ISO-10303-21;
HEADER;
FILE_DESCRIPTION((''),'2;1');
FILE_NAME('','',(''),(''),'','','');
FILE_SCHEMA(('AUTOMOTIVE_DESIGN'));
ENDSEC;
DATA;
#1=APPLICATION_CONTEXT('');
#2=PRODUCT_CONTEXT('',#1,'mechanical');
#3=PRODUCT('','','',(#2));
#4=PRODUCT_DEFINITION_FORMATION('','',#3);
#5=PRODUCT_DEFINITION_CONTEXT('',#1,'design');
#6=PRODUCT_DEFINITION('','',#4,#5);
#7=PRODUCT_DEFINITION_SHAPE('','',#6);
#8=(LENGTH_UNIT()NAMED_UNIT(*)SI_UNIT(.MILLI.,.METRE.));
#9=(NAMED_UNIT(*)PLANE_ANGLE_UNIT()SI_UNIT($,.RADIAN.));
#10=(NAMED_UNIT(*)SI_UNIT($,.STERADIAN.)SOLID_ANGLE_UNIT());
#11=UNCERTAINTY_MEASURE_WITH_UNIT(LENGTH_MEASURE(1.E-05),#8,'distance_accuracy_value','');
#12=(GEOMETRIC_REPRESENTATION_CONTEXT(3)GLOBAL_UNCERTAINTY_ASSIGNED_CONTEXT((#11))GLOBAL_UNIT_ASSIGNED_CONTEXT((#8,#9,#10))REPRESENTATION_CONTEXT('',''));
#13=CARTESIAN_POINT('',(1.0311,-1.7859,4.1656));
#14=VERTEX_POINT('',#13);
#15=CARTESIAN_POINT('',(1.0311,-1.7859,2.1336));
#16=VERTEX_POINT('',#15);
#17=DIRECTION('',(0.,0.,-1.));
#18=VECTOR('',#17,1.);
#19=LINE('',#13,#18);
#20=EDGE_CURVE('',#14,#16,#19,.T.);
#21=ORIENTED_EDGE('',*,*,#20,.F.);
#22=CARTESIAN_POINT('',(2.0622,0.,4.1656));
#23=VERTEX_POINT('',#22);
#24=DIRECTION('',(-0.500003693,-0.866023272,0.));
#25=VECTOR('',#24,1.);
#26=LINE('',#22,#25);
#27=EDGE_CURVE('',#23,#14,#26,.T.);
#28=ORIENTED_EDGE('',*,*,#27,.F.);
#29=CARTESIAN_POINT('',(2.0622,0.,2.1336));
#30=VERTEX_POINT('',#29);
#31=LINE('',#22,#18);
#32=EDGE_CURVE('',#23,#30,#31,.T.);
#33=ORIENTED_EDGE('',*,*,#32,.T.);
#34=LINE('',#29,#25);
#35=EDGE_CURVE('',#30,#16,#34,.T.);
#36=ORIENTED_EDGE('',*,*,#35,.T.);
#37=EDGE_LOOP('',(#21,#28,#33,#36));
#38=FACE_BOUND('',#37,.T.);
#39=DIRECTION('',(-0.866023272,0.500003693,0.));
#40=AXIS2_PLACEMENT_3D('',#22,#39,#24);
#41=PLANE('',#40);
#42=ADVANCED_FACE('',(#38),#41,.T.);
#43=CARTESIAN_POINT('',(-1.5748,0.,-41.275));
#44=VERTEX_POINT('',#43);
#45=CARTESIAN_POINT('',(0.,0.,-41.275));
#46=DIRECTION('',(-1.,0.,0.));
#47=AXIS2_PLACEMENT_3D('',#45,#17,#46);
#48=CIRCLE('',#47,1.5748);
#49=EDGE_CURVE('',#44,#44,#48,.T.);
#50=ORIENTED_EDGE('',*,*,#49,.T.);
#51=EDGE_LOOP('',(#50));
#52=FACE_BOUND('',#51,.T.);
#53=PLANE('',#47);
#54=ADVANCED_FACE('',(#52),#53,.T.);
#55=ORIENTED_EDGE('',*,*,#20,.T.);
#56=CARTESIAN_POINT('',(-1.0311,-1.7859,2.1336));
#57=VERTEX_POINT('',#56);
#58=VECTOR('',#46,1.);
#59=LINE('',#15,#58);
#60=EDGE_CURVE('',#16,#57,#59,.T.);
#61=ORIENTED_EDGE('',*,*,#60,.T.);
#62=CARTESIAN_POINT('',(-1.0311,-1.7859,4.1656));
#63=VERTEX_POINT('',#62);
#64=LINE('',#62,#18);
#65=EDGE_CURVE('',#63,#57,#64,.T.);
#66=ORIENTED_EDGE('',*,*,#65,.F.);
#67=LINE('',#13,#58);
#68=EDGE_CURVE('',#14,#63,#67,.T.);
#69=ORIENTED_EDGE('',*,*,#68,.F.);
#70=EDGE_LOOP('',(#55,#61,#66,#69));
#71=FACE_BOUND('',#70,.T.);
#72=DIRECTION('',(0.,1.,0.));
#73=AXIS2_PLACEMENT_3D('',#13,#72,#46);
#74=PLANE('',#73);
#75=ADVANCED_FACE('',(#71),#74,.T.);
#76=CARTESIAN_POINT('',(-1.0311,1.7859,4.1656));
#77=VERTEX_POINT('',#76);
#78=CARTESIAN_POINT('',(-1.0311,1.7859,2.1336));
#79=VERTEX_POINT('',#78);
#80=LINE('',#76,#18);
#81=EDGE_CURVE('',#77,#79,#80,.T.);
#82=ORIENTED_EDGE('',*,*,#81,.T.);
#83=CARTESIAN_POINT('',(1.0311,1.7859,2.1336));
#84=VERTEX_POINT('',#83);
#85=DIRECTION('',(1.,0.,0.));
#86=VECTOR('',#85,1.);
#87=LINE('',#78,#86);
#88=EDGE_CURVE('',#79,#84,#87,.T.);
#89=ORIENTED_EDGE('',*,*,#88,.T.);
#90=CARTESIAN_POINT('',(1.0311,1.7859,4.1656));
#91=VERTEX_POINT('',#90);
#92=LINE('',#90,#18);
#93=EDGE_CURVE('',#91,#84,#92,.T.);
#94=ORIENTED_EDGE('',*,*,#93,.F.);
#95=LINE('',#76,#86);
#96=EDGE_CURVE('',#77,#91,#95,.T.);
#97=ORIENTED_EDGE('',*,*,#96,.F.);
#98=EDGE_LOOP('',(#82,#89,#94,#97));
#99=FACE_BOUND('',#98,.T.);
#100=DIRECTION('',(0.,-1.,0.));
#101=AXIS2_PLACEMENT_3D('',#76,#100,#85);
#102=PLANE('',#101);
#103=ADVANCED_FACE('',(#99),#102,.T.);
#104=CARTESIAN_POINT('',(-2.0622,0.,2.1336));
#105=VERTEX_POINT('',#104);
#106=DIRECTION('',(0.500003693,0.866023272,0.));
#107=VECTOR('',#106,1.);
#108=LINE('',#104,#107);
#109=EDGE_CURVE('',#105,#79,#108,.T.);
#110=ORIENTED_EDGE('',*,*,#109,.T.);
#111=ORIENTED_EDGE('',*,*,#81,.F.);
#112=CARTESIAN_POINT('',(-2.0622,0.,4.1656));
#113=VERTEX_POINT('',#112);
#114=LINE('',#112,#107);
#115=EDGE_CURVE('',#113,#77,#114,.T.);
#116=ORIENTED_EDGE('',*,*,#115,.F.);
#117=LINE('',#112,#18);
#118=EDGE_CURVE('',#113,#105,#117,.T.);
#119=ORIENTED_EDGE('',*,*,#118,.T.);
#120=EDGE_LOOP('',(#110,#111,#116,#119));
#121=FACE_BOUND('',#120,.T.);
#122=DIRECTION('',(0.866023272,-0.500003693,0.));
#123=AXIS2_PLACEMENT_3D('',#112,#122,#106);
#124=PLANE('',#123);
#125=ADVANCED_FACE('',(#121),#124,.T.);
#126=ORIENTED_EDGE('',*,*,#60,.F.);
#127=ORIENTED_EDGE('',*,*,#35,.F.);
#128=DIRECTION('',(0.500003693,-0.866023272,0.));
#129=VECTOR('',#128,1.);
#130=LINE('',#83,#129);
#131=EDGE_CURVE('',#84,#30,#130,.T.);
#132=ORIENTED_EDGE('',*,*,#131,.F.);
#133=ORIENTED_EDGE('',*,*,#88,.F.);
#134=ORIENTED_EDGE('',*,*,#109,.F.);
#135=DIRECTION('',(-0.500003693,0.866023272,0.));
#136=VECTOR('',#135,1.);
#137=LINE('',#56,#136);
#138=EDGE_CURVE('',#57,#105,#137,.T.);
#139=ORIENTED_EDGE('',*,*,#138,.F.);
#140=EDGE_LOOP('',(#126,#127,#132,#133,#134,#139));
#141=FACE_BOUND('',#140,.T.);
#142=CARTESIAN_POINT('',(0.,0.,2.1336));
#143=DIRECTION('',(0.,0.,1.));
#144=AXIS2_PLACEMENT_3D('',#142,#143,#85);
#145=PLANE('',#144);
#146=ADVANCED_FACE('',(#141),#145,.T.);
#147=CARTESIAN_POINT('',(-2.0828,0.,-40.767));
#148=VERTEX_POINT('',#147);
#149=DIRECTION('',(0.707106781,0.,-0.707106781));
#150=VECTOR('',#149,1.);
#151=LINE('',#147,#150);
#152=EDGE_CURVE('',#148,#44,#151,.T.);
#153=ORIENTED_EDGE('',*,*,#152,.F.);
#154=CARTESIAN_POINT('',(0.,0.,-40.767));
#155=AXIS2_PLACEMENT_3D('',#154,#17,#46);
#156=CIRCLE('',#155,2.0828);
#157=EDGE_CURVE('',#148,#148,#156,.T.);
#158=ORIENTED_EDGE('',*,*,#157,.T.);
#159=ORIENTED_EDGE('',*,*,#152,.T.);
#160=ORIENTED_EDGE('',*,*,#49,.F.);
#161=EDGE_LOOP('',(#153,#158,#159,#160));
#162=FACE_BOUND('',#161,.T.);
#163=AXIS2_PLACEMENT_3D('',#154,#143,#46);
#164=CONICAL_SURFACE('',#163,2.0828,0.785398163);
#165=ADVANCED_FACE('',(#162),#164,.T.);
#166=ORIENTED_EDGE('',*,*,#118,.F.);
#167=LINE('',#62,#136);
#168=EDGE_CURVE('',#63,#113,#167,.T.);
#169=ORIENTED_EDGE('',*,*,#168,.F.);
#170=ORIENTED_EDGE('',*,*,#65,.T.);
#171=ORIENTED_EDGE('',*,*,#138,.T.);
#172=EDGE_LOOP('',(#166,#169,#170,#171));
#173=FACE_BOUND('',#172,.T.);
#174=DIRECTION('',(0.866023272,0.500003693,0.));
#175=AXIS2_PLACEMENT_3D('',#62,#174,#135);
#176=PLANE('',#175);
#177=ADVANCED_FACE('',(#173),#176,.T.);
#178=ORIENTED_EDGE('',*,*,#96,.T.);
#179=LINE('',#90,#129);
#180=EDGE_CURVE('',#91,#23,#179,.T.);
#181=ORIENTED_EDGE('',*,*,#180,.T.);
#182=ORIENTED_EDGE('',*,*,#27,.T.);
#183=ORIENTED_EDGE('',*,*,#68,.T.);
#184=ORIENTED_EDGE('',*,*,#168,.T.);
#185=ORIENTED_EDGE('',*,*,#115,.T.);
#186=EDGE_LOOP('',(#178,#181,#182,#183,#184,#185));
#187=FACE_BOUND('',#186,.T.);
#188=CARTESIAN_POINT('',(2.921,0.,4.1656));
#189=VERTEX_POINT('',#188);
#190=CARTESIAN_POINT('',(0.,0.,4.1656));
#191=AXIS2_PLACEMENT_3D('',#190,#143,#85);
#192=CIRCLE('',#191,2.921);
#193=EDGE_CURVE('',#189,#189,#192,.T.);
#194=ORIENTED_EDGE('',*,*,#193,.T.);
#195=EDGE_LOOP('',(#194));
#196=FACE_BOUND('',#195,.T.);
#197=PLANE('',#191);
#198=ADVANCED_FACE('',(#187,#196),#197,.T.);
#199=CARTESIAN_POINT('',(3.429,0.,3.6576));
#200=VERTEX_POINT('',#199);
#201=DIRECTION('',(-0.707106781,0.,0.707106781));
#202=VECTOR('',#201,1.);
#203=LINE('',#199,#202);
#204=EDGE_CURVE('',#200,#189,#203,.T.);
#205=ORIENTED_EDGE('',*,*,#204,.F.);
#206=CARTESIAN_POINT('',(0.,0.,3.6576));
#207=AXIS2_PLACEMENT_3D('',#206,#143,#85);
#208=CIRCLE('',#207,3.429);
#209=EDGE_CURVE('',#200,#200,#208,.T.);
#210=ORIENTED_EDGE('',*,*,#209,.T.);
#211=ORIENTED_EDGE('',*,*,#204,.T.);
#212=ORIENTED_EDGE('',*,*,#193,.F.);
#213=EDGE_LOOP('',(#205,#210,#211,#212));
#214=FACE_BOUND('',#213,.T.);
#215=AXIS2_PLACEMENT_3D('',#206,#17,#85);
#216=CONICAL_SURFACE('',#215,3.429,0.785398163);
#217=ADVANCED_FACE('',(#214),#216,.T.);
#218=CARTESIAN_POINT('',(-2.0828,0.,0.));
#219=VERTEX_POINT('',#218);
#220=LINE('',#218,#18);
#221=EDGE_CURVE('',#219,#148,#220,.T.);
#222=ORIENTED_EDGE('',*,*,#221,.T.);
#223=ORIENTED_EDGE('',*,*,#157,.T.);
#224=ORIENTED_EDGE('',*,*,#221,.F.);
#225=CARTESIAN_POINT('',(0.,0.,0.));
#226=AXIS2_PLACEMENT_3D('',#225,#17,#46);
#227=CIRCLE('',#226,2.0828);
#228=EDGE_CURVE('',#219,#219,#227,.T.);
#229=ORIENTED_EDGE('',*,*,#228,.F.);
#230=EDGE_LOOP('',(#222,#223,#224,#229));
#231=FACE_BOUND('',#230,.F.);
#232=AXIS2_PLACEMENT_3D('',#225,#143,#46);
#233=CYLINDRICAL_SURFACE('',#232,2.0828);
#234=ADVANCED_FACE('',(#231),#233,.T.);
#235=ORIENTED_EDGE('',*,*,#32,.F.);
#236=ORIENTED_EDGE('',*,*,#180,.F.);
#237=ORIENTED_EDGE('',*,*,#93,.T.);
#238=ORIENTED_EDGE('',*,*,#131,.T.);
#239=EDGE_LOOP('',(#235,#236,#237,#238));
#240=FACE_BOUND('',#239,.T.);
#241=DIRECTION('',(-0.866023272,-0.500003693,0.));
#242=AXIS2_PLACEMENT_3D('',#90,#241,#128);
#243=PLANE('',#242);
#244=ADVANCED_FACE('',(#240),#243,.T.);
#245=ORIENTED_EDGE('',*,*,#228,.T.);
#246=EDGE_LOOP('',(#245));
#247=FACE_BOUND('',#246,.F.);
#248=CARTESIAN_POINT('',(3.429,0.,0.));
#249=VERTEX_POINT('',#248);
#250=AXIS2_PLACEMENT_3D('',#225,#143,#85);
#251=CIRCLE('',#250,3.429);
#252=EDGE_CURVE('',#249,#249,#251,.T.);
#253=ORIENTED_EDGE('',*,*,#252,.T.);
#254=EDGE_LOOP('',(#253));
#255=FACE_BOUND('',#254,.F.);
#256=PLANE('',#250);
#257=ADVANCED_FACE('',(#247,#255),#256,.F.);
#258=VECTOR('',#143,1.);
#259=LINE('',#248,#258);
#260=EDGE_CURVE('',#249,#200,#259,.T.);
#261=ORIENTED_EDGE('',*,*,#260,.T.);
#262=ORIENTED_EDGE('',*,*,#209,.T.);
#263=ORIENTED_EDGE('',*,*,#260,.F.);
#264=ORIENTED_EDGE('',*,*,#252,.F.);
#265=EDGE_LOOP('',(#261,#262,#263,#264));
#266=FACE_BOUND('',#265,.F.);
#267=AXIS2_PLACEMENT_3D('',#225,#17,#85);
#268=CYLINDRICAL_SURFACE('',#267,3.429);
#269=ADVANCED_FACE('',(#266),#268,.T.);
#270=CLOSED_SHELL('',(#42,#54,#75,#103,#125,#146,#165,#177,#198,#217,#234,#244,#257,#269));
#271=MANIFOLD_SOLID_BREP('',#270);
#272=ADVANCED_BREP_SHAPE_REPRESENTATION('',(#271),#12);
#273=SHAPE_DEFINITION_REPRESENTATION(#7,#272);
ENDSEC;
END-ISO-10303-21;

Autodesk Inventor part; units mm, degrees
ref_plane "YZ Plane" through (0, 0, 0) normal (1, 0, 0) x (0, 1, 0)
ref_plane "XZ Plane" through (0, 0, 0) normal (0, 1, 0) x (-1, 0, 0)
ref_plane "XY Plane" through (0, 0, 0) normal (0, 0, 1) x (1, 0, 0)
sketch "Sketch1" plane through (0, 0, 0) normal (0, 0, 1) x (1, 0, 0)
  circle A0 centre (0, 0) radius 3.429
  dimension "d0" = 6.858
extrude "Extrusion1" add sketch "Sketch1" along normal blind 4.1656
sketch "Sketch2" plane through (0, 0, 0) normal (0, 0, -1) x (-1, 0, 0)
  circle A0 centre (0, 0) radius 3.429 projected
  circle A1 centre (0, 0) radius 2.0828
  dimension "d3" = 4.1656
extrude "Extrusion2" add sketch "Sketch2" along normal blind 41.275 contours A1
sketch "Sketch3" plane through (0, 0, 4.1656) normal (0, 0, 1) x (1, 0, 0)
  circle A0 centre (0, 0) radius 3.429 projected
  line L0 (-1.0311, 1.7859) -> (1.0311, 1.7859)
  line L1 (1.0311, 1.7859) -> (2.0622, 0)
  line L2 (2.0622, 0) -> (1.0311, -1.7859)
  line L3 (1.0311, -1.7859) -> (-1.0311, -1.7859)
  line L4 (-1.0311, -1.7859) -> (-2.0622, 0)
  line L5 (-2.0622, 0) -> (-1.0311, 1.7859)
  dimension "d6" = 3.5719
extrude "Extrusion3" cut sketch "Sketch3" against normal blind 2.032 contours L0 L1 L2 L3 L4 L5
thread "Thread1" size "8-32 UNC" class "2A" standard "ANSI Unified Screw Threads" length 25.4
chamfer "Chamfer1" distance 0.508 angle 45 1 edges at (2.0828, 0, -41.275)
chamfer "Chamfer2" distance 0.508 angle 45 1 edges at (-3.429, 0, 4.1656)
properties part number "10-32 x1000" material "Steel"
